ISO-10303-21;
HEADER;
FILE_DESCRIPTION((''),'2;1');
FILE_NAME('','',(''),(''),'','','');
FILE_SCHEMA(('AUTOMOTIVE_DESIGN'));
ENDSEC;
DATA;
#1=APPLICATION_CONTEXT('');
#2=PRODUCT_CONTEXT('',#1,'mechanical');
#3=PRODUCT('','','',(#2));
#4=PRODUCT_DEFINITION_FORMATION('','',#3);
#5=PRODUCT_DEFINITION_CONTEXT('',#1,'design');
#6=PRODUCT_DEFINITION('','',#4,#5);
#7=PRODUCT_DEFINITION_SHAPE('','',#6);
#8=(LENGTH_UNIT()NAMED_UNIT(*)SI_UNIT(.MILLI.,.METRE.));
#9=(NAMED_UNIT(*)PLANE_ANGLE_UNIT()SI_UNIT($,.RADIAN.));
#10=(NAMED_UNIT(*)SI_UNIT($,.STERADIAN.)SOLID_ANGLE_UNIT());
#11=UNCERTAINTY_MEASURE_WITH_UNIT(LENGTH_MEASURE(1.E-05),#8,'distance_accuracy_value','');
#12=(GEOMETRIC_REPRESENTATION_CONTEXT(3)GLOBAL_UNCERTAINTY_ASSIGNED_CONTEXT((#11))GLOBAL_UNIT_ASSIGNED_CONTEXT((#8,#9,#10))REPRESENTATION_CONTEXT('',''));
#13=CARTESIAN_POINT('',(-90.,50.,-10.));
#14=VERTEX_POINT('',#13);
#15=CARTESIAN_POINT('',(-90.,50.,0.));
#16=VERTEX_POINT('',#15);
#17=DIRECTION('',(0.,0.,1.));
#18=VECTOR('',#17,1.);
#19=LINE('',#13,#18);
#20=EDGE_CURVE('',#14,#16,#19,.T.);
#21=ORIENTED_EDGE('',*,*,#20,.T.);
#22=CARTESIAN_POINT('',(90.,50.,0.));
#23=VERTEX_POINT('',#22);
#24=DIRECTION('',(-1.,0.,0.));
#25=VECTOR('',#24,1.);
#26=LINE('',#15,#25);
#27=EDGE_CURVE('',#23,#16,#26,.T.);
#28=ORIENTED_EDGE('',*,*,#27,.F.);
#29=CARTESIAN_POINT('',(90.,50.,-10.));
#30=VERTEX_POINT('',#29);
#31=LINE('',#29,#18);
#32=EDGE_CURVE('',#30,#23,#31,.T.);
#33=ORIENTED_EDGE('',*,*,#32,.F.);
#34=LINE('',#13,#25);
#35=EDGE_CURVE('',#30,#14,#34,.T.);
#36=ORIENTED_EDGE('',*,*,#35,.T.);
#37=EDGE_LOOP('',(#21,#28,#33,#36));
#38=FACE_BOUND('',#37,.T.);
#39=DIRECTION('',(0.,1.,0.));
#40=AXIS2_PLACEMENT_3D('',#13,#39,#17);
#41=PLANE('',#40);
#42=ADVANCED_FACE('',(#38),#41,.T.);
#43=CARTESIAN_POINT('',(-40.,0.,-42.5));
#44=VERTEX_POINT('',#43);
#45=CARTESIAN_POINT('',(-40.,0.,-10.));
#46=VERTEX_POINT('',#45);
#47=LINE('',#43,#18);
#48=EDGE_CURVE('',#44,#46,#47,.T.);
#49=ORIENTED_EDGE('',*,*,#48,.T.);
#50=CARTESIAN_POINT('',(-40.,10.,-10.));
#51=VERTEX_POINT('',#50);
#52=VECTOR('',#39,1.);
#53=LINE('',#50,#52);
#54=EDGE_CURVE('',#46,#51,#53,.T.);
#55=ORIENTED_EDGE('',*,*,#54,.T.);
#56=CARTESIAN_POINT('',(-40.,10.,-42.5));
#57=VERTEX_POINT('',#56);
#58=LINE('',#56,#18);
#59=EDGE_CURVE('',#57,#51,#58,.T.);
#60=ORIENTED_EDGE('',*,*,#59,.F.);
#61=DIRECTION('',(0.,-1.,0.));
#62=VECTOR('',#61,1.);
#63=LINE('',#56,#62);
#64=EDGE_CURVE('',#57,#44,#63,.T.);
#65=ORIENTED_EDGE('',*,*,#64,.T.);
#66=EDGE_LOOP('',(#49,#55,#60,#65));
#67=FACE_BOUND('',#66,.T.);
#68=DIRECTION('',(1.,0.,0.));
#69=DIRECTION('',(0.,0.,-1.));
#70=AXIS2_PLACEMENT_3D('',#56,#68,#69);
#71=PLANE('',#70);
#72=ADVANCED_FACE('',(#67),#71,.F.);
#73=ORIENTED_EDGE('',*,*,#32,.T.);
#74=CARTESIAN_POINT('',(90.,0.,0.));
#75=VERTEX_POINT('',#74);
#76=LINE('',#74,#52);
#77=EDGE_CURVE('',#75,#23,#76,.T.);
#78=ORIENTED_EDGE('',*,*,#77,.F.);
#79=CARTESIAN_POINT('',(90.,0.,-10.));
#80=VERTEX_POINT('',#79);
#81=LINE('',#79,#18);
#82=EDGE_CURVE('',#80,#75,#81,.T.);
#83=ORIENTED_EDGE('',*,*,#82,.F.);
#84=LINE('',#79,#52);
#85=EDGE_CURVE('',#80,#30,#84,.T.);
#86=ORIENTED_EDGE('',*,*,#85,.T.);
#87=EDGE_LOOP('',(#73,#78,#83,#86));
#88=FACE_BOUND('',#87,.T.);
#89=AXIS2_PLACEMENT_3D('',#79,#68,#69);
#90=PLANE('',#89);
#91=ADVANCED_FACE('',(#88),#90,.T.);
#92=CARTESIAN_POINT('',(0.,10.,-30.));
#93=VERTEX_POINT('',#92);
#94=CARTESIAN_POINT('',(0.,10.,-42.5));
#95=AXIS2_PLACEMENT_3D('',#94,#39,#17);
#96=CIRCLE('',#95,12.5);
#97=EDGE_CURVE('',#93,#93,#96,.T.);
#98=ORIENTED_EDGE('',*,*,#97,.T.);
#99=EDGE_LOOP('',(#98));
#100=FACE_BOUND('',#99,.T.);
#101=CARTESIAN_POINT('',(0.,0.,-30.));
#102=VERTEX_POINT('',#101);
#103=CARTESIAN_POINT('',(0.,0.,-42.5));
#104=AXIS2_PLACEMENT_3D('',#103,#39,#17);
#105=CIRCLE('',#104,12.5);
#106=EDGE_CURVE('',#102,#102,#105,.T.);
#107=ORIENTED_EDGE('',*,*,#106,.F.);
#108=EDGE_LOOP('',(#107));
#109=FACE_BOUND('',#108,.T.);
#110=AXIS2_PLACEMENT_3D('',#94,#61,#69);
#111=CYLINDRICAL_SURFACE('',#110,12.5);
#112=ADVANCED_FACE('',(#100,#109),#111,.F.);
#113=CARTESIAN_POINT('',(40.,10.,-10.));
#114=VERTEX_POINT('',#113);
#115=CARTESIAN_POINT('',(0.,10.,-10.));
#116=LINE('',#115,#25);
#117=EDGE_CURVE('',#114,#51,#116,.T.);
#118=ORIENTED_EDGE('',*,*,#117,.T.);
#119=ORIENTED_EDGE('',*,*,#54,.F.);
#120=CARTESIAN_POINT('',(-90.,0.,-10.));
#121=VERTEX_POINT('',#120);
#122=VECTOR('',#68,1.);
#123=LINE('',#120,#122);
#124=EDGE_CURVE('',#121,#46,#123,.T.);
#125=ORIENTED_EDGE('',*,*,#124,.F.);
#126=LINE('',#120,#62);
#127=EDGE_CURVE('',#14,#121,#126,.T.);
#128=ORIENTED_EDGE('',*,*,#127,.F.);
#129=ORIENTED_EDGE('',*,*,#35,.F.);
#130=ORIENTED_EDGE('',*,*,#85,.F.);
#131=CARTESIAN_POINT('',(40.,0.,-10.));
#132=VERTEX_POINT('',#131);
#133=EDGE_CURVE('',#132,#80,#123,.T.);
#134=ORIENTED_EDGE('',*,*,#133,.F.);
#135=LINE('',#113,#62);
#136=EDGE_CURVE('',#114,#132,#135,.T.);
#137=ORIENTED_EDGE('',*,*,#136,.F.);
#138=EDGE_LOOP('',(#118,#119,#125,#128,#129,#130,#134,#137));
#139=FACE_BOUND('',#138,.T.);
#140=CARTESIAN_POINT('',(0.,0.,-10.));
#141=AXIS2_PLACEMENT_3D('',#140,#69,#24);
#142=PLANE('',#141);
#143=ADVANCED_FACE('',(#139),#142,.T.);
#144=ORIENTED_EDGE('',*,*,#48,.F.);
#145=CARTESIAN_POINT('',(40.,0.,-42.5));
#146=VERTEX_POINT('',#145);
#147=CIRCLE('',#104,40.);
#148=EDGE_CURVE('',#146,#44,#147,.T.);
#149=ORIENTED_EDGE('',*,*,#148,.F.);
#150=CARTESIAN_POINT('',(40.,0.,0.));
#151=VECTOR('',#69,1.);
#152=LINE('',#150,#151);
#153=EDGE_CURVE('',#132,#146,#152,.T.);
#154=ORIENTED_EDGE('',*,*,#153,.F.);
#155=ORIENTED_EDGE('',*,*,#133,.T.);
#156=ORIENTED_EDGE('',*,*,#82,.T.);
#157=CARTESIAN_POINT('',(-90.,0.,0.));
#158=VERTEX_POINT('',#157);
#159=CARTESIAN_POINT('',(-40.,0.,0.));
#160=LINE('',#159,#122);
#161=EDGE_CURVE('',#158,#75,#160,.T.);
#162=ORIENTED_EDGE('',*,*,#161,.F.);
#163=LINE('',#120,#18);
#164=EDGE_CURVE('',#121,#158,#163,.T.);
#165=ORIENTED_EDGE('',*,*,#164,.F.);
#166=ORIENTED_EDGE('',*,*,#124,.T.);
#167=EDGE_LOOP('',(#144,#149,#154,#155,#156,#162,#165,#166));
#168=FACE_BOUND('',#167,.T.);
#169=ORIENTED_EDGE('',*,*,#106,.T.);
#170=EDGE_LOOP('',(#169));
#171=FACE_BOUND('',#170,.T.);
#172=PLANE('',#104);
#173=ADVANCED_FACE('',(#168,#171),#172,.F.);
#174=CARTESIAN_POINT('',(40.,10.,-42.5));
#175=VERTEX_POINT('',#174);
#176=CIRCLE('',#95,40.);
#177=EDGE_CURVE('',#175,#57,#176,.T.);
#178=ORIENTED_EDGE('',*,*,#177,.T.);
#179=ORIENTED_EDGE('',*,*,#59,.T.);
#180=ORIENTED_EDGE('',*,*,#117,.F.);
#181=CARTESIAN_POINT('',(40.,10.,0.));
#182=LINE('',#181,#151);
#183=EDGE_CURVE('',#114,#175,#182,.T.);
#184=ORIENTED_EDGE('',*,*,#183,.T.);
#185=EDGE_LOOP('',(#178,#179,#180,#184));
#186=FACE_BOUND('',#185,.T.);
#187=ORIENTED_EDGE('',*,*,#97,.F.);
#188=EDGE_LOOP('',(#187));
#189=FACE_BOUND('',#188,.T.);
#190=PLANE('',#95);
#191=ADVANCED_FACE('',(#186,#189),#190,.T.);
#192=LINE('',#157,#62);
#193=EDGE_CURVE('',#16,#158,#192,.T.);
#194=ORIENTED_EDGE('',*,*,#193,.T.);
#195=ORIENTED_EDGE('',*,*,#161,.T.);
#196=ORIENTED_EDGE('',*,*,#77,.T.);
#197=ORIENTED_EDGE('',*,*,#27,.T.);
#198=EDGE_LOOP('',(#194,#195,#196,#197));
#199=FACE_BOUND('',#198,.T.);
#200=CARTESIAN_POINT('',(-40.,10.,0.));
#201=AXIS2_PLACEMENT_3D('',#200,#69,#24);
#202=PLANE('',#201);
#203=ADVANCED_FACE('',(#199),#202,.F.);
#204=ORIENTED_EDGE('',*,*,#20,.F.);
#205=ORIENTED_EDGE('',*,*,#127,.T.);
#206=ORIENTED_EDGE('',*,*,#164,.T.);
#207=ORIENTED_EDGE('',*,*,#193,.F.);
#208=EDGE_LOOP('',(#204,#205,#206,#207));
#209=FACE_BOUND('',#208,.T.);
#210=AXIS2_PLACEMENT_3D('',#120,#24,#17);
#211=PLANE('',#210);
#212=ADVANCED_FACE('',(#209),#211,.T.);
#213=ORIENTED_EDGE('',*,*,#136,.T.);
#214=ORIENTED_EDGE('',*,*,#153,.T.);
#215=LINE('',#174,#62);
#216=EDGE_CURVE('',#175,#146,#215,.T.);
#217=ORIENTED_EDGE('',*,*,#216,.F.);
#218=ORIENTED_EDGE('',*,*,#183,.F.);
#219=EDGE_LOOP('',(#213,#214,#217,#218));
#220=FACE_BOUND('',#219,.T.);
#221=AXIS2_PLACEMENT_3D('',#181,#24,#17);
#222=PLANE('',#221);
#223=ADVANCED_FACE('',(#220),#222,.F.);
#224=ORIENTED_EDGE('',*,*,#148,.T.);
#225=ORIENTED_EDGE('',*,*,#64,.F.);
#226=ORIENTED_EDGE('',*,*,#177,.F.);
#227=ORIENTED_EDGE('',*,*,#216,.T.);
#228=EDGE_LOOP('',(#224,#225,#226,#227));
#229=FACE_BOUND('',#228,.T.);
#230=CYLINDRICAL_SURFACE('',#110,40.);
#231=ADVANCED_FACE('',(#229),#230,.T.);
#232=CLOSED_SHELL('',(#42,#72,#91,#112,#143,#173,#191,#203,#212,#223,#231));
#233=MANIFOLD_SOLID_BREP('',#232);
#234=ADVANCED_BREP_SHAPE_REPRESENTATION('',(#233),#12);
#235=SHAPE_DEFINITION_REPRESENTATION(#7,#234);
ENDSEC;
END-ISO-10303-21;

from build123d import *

# Parameters (mm, degrees)
SKETCH1_R           = 12.5
BOSS_EXTRUDE1_DEPTH = 10
SKETCH2_W           = 180
SKETCH2_H           = 50
BOSS_EXTRUDE2_DEPTH = 10


with BuildPart() as part:
    # Sketch1 → Boss-Extrude1 (new body)
    with BuildSketch(Plane(origin=(0, 0, 0), x_dir=(1, 0, 0), z_dir=(0, 1, 0))):
        with BuildLine():
            Line((-40, 0), (40, 0))
            Line((40, 0), (40, 42.5))
            ThreePointArc((40, 42.5), (0, 82.5), (-40, 42.5))
            Line((-40, 42.5), (-40, 0))
        make_face()
        with Locations(Location((0, 42.5, 0), (0, 0, 270))):
            Circle(SKETCH1_R, mode=Mode.SUBTRACT)
    extrude(amount=BOSS_EXTRUDE1_DEPTH)

    # Sketch2 → Boss-Extrude2 (add)
    with BuildSketch(Plane.XY):
        with Locations((0, 25)):
            Rectangle(SKETCH2_W, SKETCH2_H)
    extrude(amount=-BOSS_EXTRUDE2_DEPTH)


solid = part.part
